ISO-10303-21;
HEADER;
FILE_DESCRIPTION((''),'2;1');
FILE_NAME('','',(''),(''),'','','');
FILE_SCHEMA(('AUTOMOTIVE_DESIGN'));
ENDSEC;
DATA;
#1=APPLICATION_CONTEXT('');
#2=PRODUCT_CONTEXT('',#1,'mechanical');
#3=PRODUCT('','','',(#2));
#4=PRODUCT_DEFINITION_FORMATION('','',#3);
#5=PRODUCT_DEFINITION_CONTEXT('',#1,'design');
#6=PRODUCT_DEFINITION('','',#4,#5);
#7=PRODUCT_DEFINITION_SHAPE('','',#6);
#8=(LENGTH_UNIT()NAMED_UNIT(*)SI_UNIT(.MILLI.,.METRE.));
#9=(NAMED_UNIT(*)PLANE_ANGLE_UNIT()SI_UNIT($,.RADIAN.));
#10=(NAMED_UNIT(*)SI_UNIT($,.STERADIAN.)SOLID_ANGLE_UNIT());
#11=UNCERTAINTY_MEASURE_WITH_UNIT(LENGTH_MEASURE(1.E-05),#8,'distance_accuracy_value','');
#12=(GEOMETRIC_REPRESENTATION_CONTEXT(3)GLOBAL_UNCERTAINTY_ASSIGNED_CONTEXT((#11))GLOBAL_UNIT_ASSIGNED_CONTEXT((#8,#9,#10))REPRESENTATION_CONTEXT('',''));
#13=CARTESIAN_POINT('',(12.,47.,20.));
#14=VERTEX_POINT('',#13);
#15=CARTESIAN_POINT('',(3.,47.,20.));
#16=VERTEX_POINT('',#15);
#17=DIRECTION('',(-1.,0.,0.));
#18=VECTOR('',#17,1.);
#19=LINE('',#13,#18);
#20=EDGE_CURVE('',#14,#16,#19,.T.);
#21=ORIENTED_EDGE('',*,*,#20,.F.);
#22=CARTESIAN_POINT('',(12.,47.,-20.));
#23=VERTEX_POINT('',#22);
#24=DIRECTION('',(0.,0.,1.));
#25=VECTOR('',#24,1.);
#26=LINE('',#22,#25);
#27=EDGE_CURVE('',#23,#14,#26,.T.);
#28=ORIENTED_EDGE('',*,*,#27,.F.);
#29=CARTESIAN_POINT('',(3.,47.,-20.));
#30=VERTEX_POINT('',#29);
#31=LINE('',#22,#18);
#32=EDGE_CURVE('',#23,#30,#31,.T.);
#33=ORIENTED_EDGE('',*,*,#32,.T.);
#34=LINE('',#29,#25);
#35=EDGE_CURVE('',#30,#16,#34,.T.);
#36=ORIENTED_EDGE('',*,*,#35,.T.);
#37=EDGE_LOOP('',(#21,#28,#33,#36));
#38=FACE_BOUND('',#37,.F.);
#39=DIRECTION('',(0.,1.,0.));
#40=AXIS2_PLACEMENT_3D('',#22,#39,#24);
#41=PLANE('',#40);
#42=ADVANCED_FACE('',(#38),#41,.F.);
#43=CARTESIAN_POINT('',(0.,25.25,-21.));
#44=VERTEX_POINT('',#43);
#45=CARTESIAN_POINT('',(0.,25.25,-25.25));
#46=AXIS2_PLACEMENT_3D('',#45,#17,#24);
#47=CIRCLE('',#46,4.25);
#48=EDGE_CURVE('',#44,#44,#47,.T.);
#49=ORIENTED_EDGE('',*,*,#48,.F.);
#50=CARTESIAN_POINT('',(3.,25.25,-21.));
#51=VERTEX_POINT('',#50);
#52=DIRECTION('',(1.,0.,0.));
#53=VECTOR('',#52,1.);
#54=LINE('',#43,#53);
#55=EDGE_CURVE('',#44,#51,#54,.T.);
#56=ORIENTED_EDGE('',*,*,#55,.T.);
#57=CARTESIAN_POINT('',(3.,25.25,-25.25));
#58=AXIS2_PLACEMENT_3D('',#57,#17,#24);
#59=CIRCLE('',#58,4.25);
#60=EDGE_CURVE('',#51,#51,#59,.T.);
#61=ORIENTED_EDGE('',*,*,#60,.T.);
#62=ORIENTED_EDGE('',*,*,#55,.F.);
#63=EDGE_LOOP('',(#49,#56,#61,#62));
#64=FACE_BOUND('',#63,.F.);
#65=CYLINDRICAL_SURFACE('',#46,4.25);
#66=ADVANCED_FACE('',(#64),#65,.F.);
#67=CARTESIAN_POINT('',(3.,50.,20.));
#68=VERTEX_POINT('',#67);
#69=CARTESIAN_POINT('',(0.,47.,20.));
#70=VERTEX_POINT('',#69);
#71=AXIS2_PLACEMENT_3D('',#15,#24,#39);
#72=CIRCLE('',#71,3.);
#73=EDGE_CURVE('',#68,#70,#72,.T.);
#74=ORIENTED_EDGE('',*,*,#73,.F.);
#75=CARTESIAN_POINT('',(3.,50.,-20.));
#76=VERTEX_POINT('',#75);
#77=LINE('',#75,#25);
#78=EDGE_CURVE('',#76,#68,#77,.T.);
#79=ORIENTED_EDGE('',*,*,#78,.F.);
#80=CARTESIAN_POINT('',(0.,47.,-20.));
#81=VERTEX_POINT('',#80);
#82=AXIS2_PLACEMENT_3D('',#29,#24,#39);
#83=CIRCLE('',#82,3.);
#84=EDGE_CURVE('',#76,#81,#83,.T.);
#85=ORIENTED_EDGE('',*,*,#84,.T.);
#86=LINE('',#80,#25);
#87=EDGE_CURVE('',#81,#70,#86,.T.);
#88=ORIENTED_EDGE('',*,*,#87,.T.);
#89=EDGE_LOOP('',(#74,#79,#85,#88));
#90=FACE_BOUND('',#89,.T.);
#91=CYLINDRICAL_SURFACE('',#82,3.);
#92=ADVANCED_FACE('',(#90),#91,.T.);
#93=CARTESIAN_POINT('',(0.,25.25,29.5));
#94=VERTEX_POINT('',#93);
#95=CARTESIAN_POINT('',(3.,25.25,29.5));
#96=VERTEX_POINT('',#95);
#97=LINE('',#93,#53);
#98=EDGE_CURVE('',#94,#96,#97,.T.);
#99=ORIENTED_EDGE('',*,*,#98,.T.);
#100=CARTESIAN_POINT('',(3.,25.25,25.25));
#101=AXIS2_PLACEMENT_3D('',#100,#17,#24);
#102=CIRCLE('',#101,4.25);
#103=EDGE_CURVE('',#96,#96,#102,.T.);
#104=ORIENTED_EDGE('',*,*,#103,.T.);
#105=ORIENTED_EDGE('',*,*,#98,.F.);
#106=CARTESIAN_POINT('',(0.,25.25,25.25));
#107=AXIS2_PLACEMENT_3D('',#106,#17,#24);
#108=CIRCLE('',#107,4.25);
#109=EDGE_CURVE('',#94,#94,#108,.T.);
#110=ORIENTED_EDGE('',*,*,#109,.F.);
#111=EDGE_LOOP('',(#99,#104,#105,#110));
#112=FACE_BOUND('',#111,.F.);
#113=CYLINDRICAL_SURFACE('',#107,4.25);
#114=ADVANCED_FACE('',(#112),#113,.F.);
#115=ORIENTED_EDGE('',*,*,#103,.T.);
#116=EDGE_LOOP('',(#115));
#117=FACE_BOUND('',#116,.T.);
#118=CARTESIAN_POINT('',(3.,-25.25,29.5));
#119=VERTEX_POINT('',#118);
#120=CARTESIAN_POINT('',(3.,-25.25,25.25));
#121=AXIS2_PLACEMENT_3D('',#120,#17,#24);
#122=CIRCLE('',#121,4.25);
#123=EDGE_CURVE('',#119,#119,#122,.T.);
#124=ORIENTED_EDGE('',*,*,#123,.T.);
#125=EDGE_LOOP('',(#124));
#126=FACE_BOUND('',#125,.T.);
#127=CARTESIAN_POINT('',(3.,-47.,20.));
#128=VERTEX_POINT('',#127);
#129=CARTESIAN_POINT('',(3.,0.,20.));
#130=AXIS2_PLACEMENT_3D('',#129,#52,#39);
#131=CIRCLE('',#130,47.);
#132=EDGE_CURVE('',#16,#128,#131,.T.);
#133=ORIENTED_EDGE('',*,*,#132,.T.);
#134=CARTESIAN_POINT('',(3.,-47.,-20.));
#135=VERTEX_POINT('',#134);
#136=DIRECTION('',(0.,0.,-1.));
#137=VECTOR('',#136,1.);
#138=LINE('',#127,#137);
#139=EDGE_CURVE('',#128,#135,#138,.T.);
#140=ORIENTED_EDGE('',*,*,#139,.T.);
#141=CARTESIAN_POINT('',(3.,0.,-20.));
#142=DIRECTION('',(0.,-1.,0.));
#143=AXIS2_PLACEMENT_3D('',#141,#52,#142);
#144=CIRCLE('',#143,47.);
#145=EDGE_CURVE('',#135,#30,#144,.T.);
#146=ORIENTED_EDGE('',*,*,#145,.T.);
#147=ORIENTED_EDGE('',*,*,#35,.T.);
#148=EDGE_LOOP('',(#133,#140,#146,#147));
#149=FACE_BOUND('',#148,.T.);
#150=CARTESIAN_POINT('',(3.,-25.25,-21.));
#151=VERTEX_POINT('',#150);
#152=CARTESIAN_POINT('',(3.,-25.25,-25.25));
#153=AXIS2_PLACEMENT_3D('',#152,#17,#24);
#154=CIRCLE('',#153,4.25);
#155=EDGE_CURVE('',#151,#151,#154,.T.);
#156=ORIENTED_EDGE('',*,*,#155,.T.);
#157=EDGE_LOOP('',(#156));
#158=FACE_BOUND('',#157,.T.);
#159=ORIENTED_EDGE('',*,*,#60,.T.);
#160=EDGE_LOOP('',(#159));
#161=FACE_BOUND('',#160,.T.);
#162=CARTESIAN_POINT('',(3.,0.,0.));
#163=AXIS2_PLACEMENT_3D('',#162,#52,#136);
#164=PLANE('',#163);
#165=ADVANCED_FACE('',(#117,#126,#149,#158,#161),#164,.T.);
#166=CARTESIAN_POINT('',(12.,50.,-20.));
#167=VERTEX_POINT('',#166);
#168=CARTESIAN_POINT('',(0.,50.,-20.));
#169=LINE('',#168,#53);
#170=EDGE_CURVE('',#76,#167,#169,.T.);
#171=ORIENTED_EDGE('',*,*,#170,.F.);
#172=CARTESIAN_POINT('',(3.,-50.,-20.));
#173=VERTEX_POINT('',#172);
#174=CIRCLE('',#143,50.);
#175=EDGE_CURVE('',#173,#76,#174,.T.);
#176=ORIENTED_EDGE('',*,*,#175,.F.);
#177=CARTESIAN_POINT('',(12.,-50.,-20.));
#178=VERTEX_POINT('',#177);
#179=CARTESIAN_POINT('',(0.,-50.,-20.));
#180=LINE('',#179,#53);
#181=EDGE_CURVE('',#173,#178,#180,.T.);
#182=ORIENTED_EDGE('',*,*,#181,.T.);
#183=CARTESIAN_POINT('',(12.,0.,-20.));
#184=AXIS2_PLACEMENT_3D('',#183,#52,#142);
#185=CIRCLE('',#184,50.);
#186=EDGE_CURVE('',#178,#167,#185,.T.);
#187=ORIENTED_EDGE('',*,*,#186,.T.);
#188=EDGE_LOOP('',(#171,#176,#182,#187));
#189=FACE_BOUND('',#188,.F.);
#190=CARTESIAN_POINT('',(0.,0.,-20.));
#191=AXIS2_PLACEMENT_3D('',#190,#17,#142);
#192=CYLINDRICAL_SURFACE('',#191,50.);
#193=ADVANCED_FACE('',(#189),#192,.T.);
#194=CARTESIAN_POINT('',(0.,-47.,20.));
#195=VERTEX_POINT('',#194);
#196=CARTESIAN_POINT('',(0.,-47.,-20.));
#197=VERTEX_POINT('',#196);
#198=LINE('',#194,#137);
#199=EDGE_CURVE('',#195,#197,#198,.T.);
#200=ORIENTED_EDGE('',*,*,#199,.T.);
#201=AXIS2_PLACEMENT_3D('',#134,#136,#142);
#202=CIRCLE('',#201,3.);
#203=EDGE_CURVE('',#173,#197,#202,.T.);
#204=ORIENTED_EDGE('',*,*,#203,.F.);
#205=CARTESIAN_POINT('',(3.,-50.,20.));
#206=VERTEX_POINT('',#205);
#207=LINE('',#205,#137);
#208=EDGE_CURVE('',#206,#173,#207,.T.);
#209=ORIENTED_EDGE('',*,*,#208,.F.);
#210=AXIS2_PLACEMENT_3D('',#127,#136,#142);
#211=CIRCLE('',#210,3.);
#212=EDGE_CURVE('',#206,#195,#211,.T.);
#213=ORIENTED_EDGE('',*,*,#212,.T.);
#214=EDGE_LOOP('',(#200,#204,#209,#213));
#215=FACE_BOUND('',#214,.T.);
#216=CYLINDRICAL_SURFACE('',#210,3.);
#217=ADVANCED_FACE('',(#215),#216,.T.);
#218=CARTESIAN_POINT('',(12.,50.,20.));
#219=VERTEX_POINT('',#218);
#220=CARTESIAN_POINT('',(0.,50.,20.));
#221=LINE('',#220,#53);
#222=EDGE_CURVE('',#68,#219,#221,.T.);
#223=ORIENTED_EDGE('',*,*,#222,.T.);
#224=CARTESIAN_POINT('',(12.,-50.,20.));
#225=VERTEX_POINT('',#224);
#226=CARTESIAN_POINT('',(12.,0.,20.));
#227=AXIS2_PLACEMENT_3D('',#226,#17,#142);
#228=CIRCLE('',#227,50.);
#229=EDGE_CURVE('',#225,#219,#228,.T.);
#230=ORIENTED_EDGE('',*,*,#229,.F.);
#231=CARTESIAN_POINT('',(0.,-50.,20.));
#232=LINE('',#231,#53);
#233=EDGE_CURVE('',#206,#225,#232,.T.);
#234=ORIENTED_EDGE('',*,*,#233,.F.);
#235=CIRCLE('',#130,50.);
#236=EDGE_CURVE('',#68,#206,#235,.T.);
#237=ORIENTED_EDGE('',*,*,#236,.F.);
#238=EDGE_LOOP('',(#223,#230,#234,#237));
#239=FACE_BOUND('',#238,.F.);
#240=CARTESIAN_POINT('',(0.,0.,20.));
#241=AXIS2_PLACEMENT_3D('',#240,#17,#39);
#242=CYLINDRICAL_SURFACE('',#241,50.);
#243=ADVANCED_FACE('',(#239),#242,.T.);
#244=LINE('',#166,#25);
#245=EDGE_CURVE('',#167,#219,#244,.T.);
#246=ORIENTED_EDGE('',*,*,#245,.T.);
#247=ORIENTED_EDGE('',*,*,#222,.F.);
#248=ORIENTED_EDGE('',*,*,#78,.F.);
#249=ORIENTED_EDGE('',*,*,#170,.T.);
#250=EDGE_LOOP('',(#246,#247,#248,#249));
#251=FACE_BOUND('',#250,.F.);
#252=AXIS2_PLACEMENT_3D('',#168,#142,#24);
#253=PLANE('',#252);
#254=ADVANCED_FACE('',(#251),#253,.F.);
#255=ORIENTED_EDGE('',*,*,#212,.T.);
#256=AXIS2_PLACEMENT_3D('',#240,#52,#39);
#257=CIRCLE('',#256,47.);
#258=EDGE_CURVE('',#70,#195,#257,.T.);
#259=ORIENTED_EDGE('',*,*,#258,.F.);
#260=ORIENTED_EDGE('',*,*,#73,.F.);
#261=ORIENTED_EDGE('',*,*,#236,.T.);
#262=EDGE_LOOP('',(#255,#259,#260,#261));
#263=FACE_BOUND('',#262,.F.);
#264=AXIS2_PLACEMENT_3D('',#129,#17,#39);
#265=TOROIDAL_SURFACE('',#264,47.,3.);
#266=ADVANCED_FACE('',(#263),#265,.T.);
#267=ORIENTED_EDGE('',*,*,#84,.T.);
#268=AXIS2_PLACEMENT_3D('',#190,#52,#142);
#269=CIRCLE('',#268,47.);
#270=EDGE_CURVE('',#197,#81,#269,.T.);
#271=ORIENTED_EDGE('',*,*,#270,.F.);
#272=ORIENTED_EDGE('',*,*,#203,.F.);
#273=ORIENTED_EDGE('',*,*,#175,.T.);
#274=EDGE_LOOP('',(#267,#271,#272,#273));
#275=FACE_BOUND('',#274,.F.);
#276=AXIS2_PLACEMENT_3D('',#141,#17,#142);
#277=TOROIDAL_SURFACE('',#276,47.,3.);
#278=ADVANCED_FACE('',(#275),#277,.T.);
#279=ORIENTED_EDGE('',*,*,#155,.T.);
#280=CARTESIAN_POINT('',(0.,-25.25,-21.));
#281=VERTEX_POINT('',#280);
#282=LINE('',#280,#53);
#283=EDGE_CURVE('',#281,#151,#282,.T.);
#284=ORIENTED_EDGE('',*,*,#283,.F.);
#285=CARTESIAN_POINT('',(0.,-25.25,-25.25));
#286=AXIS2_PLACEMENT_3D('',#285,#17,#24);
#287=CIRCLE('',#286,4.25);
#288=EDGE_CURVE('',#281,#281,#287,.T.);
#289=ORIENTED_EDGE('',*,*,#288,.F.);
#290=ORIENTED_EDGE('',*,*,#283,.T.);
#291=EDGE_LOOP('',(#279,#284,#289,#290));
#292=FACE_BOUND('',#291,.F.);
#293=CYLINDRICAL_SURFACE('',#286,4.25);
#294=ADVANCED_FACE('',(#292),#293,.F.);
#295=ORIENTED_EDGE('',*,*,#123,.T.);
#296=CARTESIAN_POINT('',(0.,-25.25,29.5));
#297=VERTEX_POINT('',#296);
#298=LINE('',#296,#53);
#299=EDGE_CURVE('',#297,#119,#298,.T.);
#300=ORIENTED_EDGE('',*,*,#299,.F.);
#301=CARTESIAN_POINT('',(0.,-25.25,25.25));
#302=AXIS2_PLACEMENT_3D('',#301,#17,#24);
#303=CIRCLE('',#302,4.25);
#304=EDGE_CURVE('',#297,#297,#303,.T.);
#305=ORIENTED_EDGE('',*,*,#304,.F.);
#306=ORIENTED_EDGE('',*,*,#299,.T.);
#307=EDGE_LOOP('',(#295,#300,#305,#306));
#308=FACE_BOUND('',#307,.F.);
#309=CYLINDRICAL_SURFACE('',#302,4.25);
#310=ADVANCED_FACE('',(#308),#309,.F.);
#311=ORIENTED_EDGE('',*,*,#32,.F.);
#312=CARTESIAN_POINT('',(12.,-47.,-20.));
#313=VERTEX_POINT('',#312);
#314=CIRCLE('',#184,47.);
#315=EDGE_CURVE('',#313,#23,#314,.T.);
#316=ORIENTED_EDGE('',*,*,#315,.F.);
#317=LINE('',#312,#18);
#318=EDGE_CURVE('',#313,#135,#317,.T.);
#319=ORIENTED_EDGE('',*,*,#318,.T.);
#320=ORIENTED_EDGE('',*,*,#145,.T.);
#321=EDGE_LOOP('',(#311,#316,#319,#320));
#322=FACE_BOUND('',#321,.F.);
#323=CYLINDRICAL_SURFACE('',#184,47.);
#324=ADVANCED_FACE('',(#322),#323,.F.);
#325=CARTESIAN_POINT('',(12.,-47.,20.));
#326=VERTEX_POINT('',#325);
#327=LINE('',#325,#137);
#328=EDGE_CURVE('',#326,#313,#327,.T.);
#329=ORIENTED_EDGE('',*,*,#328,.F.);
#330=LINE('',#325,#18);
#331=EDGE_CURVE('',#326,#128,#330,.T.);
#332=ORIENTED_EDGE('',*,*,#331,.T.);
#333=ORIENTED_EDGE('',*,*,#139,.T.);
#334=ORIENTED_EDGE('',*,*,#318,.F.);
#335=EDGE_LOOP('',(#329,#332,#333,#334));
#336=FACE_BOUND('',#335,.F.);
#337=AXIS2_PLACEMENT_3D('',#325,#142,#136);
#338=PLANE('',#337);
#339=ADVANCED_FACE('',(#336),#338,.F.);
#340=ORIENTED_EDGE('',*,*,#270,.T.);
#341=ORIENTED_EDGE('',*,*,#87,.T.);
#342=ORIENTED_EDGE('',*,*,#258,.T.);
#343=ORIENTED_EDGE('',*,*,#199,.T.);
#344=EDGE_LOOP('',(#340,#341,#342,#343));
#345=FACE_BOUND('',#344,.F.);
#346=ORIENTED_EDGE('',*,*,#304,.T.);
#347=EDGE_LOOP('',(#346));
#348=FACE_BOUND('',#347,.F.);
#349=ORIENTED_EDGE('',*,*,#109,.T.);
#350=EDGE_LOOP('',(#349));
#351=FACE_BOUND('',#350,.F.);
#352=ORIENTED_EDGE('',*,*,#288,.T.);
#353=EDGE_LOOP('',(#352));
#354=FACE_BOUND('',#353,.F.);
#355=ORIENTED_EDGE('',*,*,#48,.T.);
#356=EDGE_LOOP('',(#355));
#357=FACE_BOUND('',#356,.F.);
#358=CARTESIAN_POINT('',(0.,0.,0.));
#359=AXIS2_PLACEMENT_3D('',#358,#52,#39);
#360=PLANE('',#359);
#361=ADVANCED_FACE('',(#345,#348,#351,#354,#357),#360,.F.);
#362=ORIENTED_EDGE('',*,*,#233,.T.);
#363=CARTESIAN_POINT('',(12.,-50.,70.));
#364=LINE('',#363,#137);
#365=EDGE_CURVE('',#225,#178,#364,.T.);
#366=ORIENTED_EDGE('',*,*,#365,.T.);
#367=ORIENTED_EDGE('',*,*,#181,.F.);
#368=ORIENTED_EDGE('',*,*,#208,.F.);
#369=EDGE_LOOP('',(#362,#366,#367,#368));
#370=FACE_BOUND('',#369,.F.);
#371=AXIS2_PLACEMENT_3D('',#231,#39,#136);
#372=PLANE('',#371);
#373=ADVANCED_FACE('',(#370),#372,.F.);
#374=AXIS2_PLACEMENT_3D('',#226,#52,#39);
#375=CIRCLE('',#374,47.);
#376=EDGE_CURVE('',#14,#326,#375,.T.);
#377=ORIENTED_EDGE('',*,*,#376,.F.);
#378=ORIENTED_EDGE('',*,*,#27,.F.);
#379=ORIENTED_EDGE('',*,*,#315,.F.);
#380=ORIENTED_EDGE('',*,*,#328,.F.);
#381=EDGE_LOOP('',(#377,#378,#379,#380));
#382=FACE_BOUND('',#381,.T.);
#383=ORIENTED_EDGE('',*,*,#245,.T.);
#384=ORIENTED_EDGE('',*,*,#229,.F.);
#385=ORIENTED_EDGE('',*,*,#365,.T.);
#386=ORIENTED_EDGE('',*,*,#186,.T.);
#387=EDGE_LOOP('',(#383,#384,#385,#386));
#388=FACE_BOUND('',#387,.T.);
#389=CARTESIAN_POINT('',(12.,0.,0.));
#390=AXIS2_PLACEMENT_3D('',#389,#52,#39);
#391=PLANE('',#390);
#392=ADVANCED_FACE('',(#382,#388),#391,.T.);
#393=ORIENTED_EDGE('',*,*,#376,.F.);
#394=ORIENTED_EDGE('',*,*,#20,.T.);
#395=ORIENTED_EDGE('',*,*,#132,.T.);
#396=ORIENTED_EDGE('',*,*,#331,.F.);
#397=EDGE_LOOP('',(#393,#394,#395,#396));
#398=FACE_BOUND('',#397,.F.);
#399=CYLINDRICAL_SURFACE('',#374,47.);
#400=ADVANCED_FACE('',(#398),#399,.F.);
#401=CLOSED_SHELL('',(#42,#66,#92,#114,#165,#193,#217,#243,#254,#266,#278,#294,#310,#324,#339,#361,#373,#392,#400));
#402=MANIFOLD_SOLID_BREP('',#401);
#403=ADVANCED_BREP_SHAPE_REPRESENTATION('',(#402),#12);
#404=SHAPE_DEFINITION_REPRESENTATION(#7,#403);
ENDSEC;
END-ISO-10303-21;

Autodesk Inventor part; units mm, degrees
ref_plane "YZ Plane" through (0, 0, 0) normal (1, 0, 0) x (0, 1, 0)
ref_plane "XZ Plane" through (0, 0, 0) normal (0, 1, 0) x (-1, 0, 0)
ref_plane "XY Plane" through (0, 0, 0) normal (0, 0, 1) x (1, 0, 0)
sketch "Náčrt1" plane through (0, 0, 0) normal (1, 0, 0) x (0, 1, 0)
  line L0 (50, 70) -> (-50, 70)
  line L1 (-50, 70) -> (-50, -70)
  line L2 (-50, -70) -> (50, -70)
  line L3 (50, -20) -> (50, 70)
  arc A0 (50, 20) -> (-50, 20) centre (0, 20) ccw
  arc A1 (-50, -20) -> (50, -20) centre (0, -20) ccw
  point P0 (0, 0)
  dimension "d0" = 100
  dimension "d1" = 140
  dimension "d2" = 50
  dimension "d3" = 70
  dimension "d4" = 100
  dimension "d8" = 100
extrude "Vysunutí2" add sketch "Náčrt1" along normal blind 12 contours A0 L3 A1 L1
sketch "Náčrt2" plane through (12, 0, 0) normal (1, 0, 0) x (0, 0, -1)
  arc A0 (-20, 50) -> (-20, -50) centre (-20, 0) ccw projected
  line L0 (-20, -50) -> (20, -50) projected
  arc A1 (20, -50) -> (20, 50) centre (20, 0) ccw projected
  line L1 (20, 50) -> (-20, 50) projected
  arc A2 (-20, 47) -> (-20, -47) centre (-20, 0) ccw
  line L2 (-20, -47) -> (20, -47)
  arc A3 (20, -47) -> (20, 47) centre (20, 0) ccw
  line L3 (20, 47) -> (-20, 47)
  point P0 (0, 0)
  dimension "d11" = 3
extrude "Vysunutí3" cut sketch "Náčrt2" against normal blind 9 contours L3 A3 L2 A2
sketch "Náčrt4" plane through (0, 0, 0) normal (-1, 0, 0) x (0, 0, 1)
  circle A0 centre (25.25, -25.25) radius 4.25
  arc A1 (20, -50) -> (20, 50) centre (20, 0) ccw projected
  line L0 (-20, 50) -> (20, 50) projected
  arc A2 (-20, 50) -> (-20, -50) centre (-20, 0) ccw projected
  line L1 (20, -50) -> (-20, -50) projected
  arc A3 (20, -50) -> (20, 50) centre (20, 0) ccw projected
  circle A4 centre (25.25, 25.25) radius 4.25
  circle A5 centre (-25.25, 25.25) radius 4.25
  circle A6 centre (-25.25, -25.25) radius 4.25
  point P0 (0, 0)
  point P1 (70, 0)
  dimension "d25" = 8.5
  dimension "d26" = 24.75
  dimension "d27" = 44.75
  dimension "d32" = 360
extrude "Vysunutí5" cut sketch "Náčrt4" against normal through all contours A0 | A4 | A5 | A6
fillet "Zaoblení2" radius 3 4 edges at (0, -50, 0) (0, 0, -70) (0, 50, 0) (0, 0, 70)
properties part number "Anténní držák"
